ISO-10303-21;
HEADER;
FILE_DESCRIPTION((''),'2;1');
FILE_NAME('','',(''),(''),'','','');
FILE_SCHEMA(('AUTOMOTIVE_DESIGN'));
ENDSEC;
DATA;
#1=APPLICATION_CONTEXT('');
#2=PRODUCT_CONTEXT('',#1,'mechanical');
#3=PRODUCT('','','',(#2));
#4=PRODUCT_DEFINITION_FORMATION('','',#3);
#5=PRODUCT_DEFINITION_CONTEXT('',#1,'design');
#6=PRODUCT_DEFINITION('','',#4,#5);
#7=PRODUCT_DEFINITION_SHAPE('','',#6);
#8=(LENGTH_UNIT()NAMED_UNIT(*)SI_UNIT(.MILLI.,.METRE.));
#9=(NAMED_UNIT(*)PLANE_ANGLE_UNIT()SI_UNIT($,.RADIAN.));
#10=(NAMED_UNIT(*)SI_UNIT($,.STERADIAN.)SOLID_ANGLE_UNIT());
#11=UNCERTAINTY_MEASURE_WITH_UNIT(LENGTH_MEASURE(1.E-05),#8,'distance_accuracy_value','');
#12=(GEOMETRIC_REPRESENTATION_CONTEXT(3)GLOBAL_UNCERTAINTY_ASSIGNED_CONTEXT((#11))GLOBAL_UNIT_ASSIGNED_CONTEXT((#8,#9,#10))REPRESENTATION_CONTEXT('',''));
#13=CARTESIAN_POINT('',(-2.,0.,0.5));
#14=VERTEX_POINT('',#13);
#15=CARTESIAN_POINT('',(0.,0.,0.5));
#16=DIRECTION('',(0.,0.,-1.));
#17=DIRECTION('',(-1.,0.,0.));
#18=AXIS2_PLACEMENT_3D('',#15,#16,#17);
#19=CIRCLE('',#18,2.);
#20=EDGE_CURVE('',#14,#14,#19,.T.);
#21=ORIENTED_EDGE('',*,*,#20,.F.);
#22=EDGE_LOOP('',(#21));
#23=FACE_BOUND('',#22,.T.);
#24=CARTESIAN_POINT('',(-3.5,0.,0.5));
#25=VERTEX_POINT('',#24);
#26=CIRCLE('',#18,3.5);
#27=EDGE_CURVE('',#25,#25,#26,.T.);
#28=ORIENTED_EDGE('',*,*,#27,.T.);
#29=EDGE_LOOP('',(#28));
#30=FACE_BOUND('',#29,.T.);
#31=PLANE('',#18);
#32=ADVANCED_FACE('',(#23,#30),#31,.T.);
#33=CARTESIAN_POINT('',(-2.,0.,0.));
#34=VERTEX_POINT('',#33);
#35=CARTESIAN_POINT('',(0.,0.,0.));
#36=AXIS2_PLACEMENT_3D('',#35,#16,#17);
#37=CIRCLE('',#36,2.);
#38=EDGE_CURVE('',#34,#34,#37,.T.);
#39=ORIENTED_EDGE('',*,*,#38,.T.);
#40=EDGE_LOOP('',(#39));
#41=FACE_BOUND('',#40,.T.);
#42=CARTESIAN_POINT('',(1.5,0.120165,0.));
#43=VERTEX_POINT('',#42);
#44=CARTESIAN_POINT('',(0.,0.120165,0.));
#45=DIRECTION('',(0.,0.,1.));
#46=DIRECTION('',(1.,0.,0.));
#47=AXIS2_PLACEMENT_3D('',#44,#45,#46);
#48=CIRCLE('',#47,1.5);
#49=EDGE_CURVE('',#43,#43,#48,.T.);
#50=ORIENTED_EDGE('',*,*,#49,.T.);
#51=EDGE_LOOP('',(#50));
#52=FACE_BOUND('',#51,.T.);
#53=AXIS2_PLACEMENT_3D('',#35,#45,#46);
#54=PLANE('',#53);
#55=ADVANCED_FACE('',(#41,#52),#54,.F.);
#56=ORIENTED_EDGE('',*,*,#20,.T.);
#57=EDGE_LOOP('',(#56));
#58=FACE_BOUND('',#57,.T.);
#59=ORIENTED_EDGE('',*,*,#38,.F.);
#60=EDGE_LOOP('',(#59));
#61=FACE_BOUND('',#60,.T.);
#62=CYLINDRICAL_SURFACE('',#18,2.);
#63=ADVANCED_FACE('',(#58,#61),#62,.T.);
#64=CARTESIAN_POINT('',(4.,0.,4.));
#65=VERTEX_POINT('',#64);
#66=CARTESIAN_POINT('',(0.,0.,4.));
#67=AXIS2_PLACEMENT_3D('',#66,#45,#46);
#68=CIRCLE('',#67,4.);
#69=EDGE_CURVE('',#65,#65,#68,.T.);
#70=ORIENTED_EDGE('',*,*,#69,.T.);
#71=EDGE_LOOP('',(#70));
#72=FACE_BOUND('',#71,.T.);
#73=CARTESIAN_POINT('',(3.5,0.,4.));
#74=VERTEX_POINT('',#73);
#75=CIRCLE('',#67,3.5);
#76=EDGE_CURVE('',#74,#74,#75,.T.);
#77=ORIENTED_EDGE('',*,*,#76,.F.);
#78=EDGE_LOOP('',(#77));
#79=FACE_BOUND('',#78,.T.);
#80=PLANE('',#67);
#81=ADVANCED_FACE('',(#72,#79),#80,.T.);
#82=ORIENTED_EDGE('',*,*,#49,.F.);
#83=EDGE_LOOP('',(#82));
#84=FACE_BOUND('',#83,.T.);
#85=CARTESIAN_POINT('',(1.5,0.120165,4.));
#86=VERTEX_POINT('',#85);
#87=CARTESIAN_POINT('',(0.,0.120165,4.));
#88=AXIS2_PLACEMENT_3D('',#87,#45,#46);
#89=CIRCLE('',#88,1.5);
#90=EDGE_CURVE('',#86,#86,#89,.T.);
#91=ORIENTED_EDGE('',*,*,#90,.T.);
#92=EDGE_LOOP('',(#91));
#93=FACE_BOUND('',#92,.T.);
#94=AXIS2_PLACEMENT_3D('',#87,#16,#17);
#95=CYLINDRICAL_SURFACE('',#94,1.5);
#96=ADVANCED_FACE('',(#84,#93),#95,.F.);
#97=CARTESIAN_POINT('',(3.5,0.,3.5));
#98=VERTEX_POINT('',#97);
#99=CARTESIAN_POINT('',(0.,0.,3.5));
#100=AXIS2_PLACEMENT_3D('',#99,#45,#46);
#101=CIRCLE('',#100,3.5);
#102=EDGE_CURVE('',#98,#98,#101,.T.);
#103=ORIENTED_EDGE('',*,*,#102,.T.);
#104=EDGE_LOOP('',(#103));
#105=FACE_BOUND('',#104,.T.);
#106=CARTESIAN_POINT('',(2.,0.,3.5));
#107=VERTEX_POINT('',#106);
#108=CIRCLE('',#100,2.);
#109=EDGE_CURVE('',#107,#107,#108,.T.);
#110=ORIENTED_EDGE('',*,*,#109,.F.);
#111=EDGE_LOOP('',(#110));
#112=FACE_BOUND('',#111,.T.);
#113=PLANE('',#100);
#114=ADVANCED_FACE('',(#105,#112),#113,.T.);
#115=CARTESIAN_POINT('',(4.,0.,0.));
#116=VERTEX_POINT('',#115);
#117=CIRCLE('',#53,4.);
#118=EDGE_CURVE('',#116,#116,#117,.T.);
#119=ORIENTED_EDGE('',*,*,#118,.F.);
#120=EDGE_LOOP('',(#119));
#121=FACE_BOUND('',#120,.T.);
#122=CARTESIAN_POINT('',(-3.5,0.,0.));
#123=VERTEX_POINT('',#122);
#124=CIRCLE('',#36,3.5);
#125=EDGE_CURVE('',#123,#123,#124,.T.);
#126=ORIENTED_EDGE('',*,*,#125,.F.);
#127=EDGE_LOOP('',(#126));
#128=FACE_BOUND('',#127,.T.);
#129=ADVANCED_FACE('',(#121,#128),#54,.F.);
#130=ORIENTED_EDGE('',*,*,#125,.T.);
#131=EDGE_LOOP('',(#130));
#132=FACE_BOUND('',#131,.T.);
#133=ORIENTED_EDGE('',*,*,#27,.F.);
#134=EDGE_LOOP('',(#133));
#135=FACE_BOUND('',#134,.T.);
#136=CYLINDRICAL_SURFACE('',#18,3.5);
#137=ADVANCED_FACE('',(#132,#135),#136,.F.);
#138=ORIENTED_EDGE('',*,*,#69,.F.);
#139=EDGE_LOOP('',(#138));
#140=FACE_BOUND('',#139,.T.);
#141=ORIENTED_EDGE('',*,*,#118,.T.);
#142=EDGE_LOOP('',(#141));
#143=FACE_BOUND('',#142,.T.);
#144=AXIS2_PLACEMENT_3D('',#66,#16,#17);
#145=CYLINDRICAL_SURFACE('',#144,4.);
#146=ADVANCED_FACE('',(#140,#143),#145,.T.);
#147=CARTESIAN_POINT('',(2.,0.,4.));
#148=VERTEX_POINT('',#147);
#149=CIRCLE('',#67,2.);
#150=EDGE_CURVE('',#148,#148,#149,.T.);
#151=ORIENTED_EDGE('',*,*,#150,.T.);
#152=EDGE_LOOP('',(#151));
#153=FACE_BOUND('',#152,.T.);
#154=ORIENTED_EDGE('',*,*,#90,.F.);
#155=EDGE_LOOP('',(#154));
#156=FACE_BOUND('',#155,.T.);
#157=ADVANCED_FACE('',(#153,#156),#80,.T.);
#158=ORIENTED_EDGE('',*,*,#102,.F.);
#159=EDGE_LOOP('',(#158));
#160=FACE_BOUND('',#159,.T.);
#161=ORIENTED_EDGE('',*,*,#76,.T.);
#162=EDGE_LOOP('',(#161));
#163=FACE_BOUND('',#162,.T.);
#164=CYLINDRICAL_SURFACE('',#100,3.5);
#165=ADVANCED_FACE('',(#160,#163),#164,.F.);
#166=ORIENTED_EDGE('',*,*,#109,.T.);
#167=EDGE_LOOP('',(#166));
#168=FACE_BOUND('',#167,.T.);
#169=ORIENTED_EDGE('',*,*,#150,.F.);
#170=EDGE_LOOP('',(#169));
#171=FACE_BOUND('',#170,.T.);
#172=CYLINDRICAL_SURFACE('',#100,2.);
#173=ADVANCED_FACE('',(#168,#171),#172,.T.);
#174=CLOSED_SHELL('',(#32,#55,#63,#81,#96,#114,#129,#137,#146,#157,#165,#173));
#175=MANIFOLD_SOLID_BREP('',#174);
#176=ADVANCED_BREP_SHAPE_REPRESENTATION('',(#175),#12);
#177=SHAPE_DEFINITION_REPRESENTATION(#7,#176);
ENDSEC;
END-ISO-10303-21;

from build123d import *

# Parameters (mm, degrees)
SKETCH1_R           = 4
SKETCH1_R_2         = 1.5
BOSS_EXTRUDE2_DEPTH = 4
SKETCH3_R           = 3.5
SKETCH3_R_2         = 2
CUT_EXTRUDE1_DEPTH  = 0.5
CUT_EXTRUDE2_START  = -0.5
SKETCH4_R           = 3.5
SKETCH4_R_2         = 2
CUT_EXTRUDE2_DEPTH  = 0.5


with BuildPart() as part:
    # Sketch1 → Boss-Extrude2 (new body)
    with BuildSketch(Plane.XY):
        Circle(SKETCH1_R)
        with Locations((0, 0.120165435)):
            Circle(SKETCH1_R_2, mode=Mode.SUBTRACT)
    extrude(amount=BOSS_EXTRUDE2_DEPTH)

    # Sketch3 → Cut-Extrude1 (cut)
    with BuildSketch(Plane.XY.offset(4)):
        Circle(SKETCH3_R)
        Circle(SKETCH3_R_2, mode=Mode.SUBTRACT)
    extrude(amount=-CUT_EXTRUDE1_DEPTH, mode=Mode.SUBTRACT)

    # Sketch4 → Cut-Extrude2 (cut)
    with BuildSketch(Plane(origin=(0, 0, 0), x_dir=(-1, 0, 0), z_dir=(0, 0, -1)).offset(CUT_EXTRUDE2_START)):
        with Locations(Location((0, 0, 0), (0, 0, 180))):
            Circle(SKETCH4_R)
        with Locations(Location((0, 0, 0), (0, 0, 180))):
            Circle(SKETCH4_R_2, mode=Mode.SUBTRACT)
    extrude(amount=CUT_EXTRUDE2_DEPTH, mode=Mode.SUBTRACT)


solid = part.part
